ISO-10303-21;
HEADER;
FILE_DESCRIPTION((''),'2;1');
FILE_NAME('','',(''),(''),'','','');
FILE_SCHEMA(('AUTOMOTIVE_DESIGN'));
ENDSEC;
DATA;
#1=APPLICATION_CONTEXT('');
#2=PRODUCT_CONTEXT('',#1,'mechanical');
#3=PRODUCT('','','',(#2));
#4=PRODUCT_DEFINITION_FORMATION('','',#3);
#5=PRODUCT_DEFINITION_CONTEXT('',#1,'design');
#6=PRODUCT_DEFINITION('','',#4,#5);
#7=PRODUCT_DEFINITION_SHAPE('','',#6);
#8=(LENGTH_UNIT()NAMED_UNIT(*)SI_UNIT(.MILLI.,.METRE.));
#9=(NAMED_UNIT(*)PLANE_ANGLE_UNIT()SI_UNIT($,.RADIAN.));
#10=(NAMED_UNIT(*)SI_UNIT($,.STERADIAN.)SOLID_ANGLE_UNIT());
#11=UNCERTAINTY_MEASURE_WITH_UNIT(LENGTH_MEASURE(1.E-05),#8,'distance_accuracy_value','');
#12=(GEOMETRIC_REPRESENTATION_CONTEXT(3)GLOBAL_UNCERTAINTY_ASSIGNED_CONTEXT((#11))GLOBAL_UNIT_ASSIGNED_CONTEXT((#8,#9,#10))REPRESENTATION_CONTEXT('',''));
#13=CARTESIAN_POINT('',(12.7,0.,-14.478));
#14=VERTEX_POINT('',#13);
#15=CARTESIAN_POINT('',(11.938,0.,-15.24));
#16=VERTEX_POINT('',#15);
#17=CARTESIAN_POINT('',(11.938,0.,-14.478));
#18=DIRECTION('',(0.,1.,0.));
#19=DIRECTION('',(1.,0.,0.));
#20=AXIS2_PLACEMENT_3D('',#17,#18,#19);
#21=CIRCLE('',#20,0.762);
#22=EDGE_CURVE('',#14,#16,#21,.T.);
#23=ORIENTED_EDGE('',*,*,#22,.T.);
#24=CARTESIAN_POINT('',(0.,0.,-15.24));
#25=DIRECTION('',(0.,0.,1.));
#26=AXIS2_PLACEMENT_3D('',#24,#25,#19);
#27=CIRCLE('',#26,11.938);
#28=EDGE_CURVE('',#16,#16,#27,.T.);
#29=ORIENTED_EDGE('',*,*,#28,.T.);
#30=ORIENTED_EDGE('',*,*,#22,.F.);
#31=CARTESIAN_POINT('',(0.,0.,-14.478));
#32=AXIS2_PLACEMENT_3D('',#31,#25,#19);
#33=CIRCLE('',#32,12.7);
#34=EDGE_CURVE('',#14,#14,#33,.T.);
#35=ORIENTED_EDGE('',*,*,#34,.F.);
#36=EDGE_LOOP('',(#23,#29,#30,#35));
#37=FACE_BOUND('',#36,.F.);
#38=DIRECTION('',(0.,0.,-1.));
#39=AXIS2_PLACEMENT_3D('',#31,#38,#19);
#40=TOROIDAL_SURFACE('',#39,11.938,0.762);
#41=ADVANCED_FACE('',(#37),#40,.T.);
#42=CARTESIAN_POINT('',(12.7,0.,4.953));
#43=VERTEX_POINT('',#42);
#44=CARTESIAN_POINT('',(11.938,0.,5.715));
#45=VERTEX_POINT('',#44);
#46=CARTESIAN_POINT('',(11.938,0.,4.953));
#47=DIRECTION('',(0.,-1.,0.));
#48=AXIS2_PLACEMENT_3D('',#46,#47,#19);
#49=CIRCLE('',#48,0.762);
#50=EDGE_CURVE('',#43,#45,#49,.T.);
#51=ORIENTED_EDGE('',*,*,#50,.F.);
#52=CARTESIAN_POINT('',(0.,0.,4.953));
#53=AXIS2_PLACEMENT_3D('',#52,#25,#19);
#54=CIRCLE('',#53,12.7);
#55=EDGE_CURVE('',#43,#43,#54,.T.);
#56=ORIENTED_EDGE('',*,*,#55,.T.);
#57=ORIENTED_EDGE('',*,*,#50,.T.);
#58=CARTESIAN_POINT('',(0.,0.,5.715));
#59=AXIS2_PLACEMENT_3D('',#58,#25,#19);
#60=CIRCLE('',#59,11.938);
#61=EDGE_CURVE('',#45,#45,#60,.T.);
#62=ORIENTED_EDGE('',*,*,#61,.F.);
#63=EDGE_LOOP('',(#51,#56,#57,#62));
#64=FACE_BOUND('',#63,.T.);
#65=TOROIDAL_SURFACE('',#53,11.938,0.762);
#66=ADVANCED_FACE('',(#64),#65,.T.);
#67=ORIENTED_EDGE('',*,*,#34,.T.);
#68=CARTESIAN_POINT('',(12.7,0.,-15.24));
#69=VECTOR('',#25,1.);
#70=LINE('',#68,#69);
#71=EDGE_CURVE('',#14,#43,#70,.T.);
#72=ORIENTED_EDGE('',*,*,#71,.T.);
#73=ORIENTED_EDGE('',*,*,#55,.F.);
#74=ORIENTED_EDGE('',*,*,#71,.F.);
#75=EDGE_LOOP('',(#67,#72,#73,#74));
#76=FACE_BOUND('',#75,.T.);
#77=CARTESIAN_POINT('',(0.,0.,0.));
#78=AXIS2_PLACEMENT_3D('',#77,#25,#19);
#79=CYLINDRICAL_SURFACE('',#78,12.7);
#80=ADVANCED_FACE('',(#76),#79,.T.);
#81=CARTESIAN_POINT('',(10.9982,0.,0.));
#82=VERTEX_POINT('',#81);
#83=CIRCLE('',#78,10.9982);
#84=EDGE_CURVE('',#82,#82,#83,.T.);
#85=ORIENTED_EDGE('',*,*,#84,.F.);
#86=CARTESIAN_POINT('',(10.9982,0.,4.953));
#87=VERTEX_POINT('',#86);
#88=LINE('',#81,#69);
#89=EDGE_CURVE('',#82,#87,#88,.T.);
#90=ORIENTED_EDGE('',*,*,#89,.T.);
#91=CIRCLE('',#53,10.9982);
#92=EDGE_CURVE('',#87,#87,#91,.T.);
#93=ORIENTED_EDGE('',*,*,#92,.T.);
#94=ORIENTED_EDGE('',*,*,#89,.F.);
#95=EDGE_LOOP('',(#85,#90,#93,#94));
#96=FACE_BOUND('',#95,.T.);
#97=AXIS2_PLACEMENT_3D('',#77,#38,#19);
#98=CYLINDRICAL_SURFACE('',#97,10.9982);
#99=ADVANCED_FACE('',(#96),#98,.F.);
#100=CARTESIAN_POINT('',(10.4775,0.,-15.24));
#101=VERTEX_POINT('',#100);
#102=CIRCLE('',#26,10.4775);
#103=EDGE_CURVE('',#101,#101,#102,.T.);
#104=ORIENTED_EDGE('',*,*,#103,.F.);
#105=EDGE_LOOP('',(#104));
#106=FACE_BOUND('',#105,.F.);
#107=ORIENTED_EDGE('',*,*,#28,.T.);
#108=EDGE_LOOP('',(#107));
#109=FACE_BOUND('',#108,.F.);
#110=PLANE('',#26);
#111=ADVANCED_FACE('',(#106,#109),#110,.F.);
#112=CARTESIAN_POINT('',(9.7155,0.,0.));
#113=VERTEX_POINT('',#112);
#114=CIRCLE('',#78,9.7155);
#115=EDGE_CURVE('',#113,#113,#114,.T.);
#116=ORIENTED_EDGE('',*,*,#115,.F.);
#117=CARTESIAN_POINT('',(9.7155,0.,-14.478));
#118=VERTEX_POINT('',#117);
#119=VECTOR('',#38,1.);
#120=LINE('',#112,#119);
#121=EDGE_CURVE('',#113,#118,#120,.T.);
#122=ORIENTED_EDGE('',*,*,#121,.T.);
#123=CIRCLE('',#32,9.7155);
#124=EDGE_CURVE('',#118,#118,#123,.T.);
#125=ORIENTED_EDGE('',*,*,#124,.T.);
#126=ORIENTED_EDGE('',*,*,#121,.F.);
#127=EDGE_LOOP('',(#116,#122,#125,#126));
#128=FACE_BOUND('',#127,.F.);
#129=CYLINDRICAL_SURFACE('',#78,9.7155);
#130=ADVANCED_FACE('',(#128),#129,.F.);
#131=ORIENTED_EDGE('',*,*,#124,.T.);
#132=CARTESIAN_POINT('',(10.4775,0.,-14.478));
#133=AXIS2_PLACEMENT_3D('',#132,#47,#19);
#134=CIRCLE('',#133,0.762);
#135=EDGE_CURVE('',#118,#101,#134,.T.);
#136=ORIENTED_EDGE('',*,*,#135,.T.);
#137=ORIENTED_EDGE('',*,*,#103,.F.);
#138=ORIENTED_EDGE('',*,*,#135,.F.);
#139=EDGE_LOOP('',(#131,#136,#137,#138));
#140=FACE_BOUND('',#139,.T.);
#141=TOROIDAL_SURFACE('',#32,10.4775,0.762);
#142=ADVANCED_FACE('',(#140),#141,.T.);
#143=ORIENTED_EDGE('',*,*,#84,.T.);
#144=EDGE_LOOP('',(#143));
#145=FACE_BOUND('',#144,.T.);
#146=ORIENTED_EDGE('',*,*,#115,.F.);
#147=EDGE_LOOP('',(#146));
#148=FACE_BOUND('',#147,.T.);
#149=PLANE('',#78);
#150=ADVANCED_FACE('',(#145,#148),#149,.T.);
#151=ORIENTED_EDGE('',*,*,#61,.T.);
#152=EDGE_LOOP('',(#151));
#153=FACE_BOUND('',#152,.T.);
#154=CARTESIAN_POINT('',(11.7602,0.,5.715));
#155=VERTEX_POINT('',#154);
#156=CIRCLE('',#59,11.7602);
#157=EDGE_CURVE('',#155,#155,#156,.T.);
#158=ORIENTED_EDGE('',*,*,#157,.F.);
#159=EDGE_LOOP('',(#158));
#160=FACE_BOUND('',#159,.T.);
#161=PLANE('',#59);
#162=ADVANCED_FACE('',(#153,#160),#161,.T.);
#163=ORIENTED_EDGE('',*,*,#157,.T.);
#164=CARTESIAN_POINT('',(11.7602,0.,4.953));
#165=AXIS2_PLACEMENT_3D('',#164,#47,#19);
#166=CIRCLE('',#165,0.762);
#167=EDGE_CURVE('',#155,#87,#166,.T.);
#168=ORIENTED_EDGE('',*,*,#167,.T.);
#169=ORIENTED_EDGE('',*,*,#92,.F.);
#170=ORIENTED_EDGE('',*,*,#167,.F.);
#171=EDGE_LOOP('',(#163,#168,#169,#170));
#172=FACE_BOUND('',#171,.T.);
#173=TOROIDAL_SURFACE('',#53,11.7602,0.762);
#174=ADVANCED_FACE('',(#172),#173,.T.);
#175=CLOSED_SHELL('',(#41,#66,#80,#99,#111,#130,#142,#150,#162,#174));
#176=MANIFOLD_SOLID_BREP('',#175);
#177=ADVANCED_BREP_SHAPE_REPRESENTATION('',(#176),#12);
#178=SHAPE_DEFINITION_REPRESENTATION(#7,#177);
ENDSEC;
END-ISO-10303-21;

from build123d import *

# Parameters (mm, degrees)
F0_R     = 12.7
F0_R_2   = 10.9982
F1_DEPTH = 5.715
F0_R_3   = 9.7155
F2_DEPTH = 15.24
F3_R     = 0.762


with BuildPart() as f1:
    # F0 (on Top) → F1 (new body)
    with BuildSketch(Plane.XY):
        Circle(F0_R)
        Circle(F0_R_2, mode=Mode.SUBTRACT)
    extrude(amount=F1_DEPTH)

    # F0 (on Top) → F2 (join)
    with BuildSketch(Plane.XY):
        Circle(F0_R)
        Circle(F0_R_2, mode=Mode.SUBTRACT)
        Circle(F0_R_2)
        Circle(F0_R_3, mode=Mode.SUBTRACT)
    extrude(amount=-F2_DEPTH)

    # F3
    f3_edges = [f1.edges().sort_by_distance(p)[0] for p in [
        (-9.7155, 0, -15.24),
        (-12.7, 0, -15.24),
        (-12.7, 0, 5.715),
        (-10.9982, 0, 5.715),
    ]]
    fillet(f3_edges, radius=F3_R)


solid = f1.part
